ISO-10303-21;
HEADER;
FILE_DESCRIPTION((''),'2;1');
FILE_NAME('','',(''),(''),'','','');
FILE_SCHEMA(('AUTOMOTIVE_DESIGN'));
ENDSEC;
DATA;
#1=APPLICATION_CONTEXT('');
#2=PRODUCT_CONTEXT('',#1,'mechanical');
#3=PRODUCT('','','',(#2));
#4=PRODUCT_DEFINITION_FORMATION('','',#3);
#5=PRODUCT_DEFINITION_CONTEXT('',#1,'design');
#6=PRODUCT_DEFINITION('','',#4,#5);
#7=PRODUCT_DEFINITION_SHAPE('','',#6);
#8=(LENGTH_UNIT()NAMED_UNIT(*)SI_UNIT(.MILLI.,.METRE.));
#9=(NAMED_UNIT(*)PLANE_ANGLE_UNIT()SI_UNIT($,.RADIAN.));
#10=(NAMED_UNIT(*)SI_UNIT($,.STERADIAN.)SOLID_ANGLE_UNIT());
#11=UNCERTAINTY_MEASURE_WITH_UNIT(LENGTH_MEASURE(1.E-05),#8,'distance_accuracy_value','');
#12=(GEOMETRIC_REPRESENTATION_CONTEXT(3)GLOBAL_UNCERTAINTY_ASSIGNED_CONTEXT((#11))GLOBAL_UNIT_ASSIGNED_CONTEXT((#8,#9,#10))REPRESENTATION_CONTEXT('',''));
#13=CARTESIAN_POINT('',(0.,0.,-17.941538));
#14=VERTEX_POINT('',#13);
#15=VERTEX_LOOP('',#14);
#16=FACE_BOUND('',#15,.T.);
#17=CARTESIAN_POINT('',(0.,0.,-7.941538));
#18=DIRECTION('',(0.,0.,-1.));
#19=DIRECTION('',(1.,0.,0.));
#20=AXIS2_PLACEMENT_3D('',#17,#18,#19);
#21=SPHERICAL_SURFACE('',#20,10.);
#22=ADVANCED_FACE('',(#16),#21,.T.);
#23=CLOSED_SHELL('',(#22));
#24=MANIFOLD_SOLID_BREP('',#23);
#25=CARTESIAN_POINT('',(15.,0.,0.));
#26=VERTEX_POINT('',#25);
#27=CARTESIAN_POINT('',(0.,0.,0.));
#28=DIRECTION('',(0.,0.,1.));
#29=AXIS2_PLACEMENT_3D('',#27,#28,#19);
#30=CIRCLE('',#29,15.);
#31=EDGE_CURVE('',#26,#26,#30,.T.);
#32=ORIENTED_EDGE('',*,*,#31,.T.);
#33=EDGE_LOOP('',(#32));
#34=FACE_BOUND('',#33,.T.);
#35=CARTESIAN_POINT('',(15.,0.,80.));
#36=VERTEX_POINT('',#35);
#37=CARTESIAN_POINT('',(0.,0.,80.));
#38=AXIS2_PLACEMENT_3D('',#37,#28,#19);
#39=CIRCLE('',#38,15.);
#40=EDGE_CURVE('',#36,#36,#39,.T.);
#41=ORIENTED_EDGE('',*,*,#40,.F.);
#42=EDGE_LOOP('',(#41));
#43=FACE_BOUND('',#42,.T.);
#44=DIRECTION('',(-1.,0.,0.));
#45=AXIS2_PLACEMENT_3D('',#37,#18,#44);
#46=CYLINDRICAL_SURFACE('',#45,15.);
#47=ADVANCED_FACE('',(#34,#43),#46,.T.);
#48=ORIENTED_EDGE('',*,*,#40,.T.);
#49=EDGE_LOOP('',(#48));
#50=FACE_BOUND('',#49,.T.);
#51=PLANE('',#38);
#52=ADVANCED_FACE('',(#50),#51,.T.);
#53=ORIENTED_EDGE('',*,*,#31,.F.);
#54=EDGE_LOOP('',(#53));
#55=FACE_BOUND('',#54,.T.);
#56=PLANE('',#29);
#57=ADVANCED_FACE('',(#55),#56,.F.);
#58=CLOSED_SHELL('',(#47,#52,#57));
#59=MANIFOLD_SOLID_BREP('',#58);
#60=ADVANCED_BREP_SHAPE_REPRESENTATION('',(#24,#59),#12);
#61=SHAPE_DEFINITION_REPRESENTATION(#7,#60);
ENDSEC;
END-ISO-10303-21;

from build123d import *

# Parameters (mm, degrees)
SKETCH_1_R      = 15
EXTRUDE_1_DEPTH = 80


with BuildPart() as part:
    # 草图1 → 凸台-拉伸1 (new body)
    with BuildSketch(Plane.XY):
        Circle(SKETCH_1_R)
    extrude(amount=EXTRUDE_1_DEPTH)


with BuildPart() as body_2:
    # 草图3 → 旋转1 (revolve)
    with BuildSketch(Plane(origin=(0, 0, 0), x_dir=(1, 0, 0), z_dir=(0, 1, 0))):
        with BuildLine():
            Line((0, 17.941537566), (0, -2.058462434))
            ThreePointArc((0, -2.058462434), (-10, 7.941537566), (0, 17.941537566))
        make_face()
    revolve(axis=Axis((0, 0, -17.941537566), (0, 0, 1)))


solid = Compound([part.part, body_2.part])
